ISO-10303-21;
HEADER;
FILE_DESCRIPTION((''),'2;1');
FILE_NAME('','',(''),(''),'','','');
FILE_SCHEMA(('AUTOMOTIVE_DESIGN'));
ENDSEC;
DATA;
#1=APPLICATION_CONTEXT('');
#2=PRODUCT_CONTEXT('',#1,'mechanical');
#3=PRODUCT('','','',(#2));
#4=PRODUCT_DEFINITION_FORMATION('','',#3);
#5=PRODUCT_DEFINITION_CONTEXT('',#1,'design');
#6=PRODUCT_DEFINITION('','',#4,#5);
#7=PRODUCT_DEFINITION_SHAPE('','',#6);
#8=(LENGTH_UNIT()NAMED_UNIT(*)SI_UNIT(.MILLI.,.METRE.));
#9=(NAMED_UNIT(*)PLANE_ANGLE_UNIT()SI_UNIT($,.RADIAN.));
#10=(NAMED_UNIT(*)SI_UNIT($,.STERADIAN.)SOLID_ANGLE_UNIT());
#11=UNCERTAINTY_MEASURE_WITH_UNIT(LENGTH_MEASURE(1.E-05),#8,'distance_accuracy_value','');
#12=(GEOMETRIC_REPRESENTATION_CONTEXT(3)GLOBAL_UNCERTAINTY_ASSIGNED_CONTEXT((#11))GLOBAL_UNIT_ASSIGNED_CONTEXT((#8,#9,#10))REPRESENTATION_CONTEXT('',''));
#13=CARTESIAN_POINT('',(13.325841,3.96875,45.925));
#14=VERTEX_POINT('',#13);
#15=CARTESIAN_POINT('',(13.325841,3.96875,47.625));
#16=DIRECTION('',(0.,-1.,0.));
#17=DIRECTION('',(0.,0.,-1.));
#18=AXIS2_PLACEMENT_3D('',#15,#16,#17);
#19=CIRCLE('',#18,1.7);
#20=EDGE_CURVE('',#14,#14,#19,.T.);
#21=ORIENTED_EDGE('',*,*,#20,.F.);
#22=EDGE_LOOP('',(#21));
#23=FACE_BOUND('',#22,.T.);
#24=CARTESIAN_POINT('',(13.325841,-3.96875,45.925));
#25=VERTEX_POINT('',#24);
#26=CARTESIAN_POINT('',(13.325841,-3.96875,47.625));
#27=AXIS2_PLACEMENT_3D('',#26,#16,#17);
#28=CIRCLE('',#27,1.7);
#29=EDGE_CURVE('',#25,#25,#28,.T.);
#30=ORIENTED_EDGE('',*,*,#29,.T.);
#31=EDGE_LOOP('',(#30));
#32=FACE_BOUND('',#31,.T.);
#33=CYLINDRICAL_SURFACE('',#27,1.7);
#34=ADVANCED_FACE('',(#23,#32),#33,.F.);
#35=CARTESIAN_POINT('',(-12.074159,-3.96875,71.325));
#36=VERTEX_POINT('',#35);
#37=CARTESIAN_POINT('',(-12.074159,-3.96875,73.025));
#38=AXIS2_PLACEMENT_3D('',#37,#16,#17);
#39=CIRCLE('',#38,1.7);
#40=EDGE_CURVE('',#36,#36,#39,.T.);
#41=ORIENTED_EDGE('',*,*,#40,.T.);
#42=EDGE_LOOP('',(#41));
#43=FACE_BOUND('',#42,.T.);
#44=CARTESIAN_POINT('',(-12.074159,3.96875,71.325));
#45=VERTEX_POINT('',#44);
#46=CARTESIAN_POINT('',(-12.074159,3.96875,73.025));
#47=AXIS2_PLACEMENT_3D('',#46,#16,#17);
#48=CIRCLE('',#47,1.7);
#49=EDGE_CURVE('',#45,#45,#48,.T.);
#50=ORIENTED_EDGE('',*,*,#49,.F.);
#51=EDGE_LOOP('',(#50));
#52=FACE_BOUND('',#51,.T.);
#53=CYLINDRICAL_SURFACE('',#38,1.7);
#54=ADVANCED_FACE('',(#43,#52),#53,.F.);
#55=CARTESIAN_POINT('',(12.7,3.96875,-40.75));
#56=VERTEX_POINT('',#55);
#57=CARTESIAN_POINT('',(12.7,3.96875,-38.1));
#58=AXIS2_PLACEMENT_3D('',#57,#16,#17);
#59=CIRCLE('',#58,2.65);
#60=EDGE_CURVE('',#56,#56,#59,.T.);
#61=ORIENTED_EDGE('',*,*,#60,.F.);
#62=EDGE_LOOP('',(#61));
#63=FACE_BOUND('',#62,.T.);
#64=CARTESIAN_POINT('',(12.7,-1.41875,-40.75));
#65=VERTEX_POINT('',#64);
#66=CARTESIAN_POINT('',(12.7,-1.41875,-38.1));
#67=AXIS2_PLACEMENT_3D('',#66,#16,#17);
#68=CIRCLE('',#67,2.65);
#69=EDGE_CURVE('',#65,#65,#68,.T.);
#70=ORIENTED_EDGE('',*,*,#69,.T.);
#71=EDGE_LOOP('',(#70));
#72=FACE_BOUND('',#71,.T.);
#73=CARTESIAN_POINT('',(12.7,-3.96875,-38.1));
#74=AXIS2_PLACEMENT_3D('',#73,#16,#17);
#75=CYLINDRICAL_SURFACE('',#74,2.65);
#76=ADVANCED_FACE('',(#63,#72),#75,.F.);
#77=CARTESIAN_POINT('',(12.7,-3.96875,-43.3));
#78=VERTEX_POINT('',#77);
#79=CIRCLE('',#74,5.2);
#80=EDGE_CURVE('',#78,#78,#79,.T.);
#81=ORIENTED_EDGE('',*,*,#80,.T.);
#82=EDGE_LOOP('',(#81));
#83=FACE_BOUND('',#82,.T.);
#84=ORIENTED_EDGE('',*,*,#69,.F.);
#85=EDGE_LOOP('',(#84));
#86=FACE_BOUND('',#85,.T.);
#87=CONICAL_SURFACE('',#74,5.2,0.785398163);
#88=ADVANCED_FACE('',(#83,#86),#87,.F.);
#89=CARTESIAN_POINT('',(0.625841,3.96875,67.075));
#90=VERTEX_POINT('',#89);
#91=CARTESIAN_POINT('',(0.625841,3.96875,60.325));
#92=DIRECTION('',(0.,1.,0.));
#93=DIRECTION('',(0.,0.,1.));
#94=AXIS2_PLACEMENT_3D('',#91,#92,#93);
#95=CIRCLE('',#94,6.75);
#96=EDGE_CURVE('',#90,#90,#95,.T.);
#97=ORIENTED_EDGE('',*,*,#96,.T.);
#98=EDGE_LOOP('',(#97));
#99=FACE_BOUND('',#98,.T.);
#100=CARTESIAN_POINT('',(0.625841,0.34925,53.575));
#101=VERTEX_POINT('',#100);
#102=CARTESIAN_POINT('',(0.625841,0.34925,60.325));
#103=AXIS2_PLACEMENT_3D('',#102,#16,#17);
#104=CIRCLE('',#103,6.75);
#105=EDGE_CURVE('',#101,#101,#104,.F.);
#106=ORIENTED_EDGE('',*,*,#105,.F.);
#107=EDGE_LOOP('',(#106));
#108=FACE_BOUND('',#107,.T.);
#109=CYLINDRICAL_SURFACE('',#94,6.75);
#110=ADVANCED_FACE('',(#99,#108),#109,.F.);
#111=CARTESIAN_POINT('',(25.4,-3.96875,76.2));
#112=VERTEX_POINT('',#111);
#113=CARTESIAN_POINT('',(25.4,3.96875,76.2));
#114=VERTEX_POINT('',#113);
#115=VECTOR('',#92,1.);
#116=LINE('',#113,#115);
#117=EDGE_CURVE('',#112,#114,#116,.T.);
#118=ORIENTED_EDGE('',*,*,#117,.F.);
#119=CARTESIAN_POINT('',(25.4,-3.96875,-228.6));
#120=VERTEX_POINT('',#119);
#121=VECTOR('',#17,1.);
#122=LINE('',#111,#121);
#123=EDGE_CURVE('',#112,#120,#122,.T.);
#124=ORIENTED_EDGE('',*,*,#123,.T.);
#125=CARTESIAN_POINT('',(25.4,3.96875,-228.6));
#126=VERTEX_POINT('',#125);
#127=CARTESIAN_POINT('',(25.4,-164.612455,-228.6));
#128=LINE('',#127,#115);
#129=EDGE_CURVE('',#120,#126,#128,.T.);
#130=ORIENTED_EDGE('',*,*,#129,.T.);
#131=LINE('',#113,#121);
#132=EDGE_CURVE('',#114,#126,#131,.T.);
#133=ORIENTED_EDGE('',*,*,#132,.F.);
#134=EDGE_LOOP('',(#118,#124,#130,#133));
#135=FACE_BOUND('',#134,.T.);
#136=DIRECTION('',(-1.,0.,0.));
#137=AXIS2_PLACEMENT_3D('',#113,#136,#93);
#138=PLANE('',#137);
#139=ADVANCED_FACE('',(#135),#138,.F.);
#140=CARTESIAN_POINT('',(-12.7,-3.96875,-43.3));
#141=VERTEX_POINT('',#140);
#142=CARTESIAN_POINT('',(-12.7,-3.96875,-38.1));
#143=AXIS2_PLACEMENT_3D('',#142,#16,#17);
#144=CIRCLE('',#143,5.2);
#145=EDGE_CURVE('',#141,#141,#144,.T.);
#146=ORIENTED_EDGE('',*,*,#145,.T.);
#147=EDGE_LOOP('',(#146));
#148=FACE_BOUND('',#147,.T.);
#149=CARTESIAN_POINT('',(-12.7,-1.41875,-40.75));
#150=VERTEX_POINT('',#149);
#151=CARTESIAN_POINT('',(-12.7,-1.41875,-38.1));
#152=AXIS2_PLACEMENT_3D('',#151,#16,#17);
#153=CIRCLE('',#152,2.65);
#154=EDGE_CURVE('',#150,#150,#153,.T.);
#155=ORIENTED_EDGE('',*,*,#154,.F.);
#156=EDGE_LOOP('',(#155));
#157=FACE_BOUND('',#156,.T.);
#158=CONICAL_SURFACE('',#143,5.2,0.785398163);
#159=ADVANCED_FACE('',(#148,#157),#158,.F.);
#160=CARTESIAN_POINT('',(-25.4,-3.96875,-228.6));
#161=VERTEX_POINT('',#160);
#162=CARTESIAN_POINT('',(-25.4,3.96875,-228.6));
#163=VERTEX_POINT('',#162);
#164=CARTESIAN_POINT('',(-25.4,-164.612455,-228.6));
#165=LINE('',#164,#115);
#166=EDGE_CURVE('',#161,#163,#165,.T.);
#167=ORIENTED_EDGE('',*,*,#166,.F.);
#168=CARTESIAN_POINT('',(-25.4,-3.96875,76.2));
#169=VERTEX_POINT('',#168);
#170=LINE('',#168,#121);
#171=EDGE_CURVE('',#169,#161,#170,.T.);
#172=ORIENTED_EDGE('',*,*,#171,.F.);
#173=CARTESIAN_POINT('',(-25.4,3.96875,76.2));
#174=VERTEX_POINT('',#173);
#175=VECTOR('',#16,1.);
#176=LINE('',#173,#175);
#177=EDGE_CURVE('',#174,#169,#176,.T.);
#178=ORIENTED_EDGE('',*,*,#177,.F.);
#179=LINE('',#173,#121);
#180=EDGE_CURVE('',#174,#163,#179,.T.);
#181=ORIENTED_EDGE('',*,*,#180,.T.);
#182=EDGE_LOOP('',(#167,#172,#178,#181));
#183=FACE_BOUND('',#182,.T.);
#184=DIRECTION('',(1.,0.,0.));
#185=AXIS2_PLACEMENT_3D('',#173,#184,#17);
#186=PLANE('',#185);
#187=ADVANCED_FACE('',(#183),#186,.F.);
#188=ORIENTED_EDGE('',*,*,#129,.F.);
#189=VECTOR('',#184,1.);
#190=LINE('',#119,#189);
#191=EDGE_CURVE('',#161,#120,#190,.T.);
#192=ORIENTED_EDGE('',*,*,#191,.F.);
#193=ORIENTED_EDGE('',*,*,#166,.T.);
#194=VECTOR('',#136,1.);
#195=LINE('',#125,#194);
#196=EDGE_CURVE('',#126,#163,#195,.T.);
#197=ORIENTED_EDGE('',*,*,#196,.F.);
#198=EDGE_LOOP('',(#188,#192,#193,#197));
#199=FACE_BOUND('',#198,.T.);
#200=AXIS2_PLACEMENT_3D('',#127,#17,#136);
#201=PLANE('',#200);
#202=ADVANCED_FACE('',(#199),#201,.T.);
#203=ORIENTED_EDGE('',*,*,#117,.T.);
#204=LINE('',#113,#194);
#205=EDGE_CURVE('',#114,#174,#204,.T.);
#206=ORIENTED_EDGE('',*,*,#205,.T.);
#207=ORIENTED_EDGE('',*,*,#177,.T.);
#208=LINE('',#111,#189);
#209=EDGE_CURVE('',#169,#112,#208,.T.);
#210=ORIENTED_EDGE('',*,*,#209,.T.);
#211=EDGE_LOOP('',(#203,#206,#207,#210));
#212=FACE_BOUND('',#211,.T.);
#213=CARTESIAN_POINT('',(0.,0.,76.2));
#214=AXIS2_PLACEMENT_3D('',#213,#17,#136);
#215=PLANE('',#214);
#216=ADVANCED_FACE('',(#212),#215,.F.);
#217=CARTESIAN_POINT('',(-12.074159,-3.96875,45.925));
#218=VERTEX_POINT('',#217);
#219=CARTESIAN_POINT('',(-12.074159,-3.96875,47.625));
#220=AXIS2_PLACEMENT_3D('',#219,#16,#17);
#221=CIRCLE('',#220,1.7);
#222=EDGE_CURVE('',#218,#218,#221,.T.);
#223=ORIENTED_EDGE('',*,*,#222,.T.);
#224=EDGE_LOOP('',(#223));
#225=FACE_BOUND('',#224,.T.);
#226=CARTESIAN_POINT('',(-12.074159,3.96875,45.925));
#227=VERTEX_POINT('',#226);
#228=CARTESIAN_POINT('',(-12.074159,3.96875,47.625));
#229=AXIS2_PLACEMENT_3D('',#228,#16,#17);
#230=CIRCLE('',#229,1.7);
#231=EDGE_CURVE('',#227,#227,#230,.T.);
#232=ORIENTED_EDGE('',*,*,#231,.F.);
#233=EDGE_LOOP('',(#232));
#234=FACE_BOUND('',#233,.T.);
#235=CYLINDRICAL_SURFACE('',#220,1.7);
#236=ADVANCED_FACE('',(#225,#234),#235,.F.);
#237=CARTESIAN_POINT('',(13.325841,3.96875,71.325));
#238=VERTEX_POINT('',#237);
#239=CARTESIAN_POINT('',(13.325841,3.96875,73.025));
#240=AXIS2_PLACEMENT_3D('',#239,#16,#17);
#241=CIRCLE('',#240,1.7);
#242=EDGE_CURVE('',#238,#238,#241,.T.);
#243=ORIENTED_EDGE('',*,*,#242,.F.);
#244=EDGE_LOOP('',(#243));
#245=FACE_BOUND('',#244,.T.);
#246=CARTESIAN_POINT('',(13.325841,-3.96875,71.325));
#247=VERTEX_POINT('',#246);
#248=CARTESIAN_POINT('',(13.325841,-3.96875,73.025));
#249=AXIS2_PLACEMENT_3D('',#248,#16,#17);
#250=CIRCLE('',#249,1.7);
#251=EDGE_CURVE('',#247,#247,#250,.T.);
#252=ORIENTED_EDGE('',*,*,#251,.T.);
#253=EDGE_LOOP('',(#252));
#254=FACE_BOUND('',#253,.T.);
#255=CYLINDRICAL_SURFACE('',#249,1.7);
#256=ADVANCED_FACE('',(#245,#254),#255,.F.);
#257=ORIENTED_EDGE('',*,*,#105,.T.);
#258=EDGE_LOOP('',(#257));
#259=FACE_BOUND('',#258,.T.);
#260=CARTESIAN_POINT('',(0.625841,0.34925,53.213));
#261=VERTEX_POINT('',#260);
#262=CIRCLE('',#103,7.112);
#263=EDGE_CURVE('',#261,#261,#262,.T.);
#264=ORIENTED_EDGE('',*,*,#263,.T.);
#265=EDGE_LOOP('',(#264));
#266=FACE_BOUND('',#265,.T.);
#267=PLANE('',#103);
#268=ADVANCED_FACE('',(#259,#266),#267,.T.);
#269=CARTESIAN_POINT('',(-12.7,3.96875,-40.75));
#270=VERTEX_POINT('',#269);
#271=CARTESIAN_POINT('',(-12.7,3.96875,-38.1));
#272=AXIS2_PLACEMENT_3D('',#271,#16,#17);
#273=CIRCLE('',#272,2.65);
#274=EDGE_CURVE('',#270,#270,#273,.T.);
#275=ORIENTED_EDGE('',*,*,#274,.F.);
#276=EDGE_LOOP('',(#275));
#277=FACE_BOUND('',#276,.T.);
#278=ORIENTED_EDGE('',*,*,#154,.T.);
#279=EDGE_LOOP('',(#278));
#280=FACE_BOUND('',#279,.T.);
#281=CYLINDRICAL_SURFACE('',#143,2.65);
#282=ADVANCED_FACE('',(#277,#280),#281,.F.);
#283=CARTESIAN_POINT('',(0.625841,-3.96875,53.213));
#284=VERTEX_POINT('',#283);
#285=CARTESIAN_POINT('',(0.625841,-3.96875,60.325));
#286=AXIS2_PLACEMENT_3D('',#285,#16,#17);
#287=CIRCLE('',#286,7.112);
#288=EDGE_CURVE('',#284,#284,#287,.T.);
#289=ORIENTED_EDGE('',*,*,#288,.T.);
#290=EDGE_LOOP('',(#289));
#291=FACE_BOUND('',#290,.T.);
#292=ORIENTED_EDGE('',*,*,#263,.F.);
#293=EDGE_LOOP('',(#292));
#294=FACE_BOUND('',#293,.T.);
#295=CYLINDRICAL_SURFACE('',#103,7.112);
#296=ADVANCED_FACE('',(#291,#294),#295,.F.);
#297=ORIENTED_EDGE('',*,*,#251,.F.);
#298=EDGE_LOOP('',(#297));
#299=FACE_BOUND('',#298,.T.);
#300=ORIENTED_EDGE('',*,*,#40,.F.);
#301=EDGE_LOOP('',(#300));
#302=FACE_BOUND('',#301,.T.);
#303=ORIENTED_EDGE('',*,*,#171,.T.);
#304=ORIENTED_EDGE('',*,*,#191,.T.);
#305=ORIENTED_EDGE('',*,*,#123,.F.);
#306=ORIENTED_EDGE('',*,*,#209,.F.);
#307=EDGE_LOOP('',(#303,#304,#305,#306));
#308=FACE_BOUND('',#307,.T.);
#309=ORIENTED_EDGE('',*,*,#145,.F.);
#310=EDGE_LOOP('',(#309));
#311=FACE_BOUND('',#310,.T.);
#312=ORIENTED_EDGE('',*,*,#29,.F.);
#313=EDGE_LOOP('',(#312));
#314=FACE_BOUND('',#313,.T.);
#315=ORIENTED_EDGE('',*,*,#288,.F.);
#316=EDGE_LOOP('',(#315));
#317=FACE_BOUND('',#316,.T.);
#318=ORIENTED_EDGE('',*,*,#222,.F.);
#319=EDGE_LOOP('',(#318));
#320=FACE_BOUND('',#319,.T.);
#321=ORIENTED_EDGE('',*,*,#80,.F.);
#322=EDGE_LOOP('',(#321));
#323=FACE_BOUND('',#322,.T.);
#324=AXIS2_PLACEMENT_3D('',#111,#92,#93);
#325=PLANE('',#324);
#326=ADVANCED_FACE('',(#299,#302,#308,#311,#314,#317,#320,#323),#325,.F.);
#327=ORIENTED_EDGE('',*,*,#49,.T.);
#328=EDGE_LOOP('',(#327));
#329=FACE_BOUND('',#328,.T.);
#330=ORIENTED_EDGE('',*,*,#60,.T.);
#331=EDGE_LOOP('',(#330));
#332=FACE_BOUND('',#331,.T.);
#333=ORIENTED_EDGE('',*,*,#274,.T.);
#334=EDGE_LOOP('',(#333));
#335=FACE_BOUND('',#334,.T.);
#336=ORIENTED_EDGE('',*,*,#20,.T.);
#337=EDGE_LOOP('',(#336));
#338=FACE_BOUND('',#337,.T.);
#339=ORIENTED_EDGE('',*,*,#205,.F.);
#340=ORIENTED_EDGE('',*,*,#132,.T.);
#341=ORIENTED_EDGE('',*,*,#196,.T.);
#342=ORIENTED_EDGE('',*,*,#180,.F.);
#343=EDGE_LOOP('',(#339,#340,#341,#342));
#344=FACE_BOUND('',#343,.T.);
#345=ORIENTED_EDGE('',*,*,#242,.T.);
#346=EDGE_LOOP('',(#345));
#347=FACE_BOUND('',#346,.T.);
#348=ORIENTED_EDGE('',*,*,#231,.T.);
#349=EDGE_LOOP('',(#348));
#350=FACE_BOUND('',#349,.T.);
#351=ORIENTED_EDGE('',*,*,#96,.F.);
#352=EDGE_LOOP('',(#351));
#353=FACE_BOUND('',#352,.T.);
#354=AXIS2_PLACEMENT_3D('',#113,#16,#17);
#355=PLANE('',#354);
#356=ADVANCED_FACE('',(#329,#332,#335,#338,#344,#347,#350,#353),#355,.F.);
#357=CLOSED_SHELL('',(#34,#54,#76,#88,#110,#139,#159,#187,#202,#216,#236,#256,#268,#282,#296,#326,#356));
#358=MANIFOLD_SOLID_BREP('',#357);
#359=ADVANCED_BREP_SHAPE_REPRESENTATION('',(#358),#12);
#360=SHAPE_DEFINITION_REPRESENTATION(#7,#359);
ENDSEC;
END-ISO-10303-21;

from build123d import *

# Parameters (mm, degrees)
BOSS_EXTRUDE1_DEPTH                             = 76.2
BOSS_EXTRUDE1_DEPTH_BACK                        = 76.2
SKETCH3_W                                       = 50.8
SKETCH3_H                                       = 7.9375
M12_CLEARANCE_HOLE2_D                           = 13.5
CSK_FOR_M5_FLAT_HEAD_MACHINE_SCREW1_D           = 5.3
CSK_FOR_M5_FLAT_HEAD_MACHINE_SCREW1_CSINK_D     = 10.4
CSK_FOR_M5_FLAT_HEAD_MACHINE_SCREW1_CSINK_ANGLE = 90
SKETCH26_W                                      = 50.8
SKETCH26_H                                      = 152.4
BOSS_EXTRUDE2_DEPTH                             = 7.9375
SKETCH27_R                                      = 7.112
CUT_EXTRUDE2_DEPTH                              = 4.318
M3_CLEARANCE_HOLE1_D                            = 3.4
M3_CLEARANCE_HOLE1_DEPTH                        = 15.24
M3_CLEARANCE_HOLE1_TIP                          = 1.021463052


with BuildPart() as part:
    # Sketch3 → Boss-Extrude1 (new, two sides: drawn at the far end of the back side and taken through both)
    with BuildSketch(Plane.XY.offset(-BOSS_EXTRUDE1_DEPTH_BACK)):
        Rectangle(SKETCH3_W, SKETCH3_H)
    extrude(amount=BOSS_EXTRUDE1_DEPTH + BOSS_EXTRUDE1_DEPTH_BACK)

    # M12 Clearance Hole2 (through all)
    with Locations(Plane(origin=(0, 3.96875, 0), x_dir=(1, 0, 0), z_dir=(0, 1, 0))):
        with Locations((0.625840615, -60.325)):
            Hole(M12_CLEARANCE_HOLE2_D / 2)

    # CSK for M5 Flat Head Machine Screw1 (through all)
    with Locations(Plane(origin=(0, -3.96875, 0), x_dir=(-1, 0, 0), z_dir=(0, -1, 0))):
        with Locations((-12.7, 38.1), (12.7, 38.1)):
            CounterSinkHole(CSK_FOR_M5_FLAT_HEAD_MACHINE_SCREW1_D / 2, CSK_FOR_M5_FLAT_HEAD_MACHINE_SCREW1_CSINK_D / 2, counter_sink_angle=CSK_FOR_M5_FLAT_HEAD_MACHINE_SCREW1_CSINK_ANGLE)

    # Sketch26 → Boss-Extrude2 (add)
    with BuildSketch(Plane(origin=(0, 3.96875, 0), x_dir=(1, 0, 0), z_dir=(0, 1, 0))):
        with Locations((0, 152.4)):
            Rectangle(SKETCH26_W, SKETCH26_H)
    extrude(amount=-BOSS_EXTRUDE2_DEPTH)

    # Sketch27 → Cut-Extrude2 (cut)
    with BuildSketch(Plane.XZ.offset(3.96875)):
        with Locations(Location((0.625840615, 60.325, 0), (0, 0, 270))):
            Circle(SKETCH27_R)
    extrude(amount=-CUT_EXTRUDE2_DEPTH, mode=Mode.SUBTRACT)

    # M3 Clearance Hole1
    with Locations(Plane(origin=(0, -3.96875, 0), x_dir=(-1, 0, 0), z_dir=(0, -1, 0))):
        with Locations((-13.325840615, -47.625), (-13.325840615, -73.025), (12.074159385, -73.025), (12.074159385, -47.625)):
            Hole(M3_CLEARANCE_HOLE1_D / 2, depth=M3_CLEARANCE_HOLE1_DEPTH)
            with Locations((0, 0, -(M3_CLEARANCE_HOLE1_DEPTH + M3_CLEARANCE_HOLE1_TIP / 2))):  # 118° drill point
                Cone(0, M3_CLEARANCE_HOLE1_D / 2, M3_CLEARANCE_HOLE1_TIP, mode=Mode.SUBTRACT)


solid = part.part
